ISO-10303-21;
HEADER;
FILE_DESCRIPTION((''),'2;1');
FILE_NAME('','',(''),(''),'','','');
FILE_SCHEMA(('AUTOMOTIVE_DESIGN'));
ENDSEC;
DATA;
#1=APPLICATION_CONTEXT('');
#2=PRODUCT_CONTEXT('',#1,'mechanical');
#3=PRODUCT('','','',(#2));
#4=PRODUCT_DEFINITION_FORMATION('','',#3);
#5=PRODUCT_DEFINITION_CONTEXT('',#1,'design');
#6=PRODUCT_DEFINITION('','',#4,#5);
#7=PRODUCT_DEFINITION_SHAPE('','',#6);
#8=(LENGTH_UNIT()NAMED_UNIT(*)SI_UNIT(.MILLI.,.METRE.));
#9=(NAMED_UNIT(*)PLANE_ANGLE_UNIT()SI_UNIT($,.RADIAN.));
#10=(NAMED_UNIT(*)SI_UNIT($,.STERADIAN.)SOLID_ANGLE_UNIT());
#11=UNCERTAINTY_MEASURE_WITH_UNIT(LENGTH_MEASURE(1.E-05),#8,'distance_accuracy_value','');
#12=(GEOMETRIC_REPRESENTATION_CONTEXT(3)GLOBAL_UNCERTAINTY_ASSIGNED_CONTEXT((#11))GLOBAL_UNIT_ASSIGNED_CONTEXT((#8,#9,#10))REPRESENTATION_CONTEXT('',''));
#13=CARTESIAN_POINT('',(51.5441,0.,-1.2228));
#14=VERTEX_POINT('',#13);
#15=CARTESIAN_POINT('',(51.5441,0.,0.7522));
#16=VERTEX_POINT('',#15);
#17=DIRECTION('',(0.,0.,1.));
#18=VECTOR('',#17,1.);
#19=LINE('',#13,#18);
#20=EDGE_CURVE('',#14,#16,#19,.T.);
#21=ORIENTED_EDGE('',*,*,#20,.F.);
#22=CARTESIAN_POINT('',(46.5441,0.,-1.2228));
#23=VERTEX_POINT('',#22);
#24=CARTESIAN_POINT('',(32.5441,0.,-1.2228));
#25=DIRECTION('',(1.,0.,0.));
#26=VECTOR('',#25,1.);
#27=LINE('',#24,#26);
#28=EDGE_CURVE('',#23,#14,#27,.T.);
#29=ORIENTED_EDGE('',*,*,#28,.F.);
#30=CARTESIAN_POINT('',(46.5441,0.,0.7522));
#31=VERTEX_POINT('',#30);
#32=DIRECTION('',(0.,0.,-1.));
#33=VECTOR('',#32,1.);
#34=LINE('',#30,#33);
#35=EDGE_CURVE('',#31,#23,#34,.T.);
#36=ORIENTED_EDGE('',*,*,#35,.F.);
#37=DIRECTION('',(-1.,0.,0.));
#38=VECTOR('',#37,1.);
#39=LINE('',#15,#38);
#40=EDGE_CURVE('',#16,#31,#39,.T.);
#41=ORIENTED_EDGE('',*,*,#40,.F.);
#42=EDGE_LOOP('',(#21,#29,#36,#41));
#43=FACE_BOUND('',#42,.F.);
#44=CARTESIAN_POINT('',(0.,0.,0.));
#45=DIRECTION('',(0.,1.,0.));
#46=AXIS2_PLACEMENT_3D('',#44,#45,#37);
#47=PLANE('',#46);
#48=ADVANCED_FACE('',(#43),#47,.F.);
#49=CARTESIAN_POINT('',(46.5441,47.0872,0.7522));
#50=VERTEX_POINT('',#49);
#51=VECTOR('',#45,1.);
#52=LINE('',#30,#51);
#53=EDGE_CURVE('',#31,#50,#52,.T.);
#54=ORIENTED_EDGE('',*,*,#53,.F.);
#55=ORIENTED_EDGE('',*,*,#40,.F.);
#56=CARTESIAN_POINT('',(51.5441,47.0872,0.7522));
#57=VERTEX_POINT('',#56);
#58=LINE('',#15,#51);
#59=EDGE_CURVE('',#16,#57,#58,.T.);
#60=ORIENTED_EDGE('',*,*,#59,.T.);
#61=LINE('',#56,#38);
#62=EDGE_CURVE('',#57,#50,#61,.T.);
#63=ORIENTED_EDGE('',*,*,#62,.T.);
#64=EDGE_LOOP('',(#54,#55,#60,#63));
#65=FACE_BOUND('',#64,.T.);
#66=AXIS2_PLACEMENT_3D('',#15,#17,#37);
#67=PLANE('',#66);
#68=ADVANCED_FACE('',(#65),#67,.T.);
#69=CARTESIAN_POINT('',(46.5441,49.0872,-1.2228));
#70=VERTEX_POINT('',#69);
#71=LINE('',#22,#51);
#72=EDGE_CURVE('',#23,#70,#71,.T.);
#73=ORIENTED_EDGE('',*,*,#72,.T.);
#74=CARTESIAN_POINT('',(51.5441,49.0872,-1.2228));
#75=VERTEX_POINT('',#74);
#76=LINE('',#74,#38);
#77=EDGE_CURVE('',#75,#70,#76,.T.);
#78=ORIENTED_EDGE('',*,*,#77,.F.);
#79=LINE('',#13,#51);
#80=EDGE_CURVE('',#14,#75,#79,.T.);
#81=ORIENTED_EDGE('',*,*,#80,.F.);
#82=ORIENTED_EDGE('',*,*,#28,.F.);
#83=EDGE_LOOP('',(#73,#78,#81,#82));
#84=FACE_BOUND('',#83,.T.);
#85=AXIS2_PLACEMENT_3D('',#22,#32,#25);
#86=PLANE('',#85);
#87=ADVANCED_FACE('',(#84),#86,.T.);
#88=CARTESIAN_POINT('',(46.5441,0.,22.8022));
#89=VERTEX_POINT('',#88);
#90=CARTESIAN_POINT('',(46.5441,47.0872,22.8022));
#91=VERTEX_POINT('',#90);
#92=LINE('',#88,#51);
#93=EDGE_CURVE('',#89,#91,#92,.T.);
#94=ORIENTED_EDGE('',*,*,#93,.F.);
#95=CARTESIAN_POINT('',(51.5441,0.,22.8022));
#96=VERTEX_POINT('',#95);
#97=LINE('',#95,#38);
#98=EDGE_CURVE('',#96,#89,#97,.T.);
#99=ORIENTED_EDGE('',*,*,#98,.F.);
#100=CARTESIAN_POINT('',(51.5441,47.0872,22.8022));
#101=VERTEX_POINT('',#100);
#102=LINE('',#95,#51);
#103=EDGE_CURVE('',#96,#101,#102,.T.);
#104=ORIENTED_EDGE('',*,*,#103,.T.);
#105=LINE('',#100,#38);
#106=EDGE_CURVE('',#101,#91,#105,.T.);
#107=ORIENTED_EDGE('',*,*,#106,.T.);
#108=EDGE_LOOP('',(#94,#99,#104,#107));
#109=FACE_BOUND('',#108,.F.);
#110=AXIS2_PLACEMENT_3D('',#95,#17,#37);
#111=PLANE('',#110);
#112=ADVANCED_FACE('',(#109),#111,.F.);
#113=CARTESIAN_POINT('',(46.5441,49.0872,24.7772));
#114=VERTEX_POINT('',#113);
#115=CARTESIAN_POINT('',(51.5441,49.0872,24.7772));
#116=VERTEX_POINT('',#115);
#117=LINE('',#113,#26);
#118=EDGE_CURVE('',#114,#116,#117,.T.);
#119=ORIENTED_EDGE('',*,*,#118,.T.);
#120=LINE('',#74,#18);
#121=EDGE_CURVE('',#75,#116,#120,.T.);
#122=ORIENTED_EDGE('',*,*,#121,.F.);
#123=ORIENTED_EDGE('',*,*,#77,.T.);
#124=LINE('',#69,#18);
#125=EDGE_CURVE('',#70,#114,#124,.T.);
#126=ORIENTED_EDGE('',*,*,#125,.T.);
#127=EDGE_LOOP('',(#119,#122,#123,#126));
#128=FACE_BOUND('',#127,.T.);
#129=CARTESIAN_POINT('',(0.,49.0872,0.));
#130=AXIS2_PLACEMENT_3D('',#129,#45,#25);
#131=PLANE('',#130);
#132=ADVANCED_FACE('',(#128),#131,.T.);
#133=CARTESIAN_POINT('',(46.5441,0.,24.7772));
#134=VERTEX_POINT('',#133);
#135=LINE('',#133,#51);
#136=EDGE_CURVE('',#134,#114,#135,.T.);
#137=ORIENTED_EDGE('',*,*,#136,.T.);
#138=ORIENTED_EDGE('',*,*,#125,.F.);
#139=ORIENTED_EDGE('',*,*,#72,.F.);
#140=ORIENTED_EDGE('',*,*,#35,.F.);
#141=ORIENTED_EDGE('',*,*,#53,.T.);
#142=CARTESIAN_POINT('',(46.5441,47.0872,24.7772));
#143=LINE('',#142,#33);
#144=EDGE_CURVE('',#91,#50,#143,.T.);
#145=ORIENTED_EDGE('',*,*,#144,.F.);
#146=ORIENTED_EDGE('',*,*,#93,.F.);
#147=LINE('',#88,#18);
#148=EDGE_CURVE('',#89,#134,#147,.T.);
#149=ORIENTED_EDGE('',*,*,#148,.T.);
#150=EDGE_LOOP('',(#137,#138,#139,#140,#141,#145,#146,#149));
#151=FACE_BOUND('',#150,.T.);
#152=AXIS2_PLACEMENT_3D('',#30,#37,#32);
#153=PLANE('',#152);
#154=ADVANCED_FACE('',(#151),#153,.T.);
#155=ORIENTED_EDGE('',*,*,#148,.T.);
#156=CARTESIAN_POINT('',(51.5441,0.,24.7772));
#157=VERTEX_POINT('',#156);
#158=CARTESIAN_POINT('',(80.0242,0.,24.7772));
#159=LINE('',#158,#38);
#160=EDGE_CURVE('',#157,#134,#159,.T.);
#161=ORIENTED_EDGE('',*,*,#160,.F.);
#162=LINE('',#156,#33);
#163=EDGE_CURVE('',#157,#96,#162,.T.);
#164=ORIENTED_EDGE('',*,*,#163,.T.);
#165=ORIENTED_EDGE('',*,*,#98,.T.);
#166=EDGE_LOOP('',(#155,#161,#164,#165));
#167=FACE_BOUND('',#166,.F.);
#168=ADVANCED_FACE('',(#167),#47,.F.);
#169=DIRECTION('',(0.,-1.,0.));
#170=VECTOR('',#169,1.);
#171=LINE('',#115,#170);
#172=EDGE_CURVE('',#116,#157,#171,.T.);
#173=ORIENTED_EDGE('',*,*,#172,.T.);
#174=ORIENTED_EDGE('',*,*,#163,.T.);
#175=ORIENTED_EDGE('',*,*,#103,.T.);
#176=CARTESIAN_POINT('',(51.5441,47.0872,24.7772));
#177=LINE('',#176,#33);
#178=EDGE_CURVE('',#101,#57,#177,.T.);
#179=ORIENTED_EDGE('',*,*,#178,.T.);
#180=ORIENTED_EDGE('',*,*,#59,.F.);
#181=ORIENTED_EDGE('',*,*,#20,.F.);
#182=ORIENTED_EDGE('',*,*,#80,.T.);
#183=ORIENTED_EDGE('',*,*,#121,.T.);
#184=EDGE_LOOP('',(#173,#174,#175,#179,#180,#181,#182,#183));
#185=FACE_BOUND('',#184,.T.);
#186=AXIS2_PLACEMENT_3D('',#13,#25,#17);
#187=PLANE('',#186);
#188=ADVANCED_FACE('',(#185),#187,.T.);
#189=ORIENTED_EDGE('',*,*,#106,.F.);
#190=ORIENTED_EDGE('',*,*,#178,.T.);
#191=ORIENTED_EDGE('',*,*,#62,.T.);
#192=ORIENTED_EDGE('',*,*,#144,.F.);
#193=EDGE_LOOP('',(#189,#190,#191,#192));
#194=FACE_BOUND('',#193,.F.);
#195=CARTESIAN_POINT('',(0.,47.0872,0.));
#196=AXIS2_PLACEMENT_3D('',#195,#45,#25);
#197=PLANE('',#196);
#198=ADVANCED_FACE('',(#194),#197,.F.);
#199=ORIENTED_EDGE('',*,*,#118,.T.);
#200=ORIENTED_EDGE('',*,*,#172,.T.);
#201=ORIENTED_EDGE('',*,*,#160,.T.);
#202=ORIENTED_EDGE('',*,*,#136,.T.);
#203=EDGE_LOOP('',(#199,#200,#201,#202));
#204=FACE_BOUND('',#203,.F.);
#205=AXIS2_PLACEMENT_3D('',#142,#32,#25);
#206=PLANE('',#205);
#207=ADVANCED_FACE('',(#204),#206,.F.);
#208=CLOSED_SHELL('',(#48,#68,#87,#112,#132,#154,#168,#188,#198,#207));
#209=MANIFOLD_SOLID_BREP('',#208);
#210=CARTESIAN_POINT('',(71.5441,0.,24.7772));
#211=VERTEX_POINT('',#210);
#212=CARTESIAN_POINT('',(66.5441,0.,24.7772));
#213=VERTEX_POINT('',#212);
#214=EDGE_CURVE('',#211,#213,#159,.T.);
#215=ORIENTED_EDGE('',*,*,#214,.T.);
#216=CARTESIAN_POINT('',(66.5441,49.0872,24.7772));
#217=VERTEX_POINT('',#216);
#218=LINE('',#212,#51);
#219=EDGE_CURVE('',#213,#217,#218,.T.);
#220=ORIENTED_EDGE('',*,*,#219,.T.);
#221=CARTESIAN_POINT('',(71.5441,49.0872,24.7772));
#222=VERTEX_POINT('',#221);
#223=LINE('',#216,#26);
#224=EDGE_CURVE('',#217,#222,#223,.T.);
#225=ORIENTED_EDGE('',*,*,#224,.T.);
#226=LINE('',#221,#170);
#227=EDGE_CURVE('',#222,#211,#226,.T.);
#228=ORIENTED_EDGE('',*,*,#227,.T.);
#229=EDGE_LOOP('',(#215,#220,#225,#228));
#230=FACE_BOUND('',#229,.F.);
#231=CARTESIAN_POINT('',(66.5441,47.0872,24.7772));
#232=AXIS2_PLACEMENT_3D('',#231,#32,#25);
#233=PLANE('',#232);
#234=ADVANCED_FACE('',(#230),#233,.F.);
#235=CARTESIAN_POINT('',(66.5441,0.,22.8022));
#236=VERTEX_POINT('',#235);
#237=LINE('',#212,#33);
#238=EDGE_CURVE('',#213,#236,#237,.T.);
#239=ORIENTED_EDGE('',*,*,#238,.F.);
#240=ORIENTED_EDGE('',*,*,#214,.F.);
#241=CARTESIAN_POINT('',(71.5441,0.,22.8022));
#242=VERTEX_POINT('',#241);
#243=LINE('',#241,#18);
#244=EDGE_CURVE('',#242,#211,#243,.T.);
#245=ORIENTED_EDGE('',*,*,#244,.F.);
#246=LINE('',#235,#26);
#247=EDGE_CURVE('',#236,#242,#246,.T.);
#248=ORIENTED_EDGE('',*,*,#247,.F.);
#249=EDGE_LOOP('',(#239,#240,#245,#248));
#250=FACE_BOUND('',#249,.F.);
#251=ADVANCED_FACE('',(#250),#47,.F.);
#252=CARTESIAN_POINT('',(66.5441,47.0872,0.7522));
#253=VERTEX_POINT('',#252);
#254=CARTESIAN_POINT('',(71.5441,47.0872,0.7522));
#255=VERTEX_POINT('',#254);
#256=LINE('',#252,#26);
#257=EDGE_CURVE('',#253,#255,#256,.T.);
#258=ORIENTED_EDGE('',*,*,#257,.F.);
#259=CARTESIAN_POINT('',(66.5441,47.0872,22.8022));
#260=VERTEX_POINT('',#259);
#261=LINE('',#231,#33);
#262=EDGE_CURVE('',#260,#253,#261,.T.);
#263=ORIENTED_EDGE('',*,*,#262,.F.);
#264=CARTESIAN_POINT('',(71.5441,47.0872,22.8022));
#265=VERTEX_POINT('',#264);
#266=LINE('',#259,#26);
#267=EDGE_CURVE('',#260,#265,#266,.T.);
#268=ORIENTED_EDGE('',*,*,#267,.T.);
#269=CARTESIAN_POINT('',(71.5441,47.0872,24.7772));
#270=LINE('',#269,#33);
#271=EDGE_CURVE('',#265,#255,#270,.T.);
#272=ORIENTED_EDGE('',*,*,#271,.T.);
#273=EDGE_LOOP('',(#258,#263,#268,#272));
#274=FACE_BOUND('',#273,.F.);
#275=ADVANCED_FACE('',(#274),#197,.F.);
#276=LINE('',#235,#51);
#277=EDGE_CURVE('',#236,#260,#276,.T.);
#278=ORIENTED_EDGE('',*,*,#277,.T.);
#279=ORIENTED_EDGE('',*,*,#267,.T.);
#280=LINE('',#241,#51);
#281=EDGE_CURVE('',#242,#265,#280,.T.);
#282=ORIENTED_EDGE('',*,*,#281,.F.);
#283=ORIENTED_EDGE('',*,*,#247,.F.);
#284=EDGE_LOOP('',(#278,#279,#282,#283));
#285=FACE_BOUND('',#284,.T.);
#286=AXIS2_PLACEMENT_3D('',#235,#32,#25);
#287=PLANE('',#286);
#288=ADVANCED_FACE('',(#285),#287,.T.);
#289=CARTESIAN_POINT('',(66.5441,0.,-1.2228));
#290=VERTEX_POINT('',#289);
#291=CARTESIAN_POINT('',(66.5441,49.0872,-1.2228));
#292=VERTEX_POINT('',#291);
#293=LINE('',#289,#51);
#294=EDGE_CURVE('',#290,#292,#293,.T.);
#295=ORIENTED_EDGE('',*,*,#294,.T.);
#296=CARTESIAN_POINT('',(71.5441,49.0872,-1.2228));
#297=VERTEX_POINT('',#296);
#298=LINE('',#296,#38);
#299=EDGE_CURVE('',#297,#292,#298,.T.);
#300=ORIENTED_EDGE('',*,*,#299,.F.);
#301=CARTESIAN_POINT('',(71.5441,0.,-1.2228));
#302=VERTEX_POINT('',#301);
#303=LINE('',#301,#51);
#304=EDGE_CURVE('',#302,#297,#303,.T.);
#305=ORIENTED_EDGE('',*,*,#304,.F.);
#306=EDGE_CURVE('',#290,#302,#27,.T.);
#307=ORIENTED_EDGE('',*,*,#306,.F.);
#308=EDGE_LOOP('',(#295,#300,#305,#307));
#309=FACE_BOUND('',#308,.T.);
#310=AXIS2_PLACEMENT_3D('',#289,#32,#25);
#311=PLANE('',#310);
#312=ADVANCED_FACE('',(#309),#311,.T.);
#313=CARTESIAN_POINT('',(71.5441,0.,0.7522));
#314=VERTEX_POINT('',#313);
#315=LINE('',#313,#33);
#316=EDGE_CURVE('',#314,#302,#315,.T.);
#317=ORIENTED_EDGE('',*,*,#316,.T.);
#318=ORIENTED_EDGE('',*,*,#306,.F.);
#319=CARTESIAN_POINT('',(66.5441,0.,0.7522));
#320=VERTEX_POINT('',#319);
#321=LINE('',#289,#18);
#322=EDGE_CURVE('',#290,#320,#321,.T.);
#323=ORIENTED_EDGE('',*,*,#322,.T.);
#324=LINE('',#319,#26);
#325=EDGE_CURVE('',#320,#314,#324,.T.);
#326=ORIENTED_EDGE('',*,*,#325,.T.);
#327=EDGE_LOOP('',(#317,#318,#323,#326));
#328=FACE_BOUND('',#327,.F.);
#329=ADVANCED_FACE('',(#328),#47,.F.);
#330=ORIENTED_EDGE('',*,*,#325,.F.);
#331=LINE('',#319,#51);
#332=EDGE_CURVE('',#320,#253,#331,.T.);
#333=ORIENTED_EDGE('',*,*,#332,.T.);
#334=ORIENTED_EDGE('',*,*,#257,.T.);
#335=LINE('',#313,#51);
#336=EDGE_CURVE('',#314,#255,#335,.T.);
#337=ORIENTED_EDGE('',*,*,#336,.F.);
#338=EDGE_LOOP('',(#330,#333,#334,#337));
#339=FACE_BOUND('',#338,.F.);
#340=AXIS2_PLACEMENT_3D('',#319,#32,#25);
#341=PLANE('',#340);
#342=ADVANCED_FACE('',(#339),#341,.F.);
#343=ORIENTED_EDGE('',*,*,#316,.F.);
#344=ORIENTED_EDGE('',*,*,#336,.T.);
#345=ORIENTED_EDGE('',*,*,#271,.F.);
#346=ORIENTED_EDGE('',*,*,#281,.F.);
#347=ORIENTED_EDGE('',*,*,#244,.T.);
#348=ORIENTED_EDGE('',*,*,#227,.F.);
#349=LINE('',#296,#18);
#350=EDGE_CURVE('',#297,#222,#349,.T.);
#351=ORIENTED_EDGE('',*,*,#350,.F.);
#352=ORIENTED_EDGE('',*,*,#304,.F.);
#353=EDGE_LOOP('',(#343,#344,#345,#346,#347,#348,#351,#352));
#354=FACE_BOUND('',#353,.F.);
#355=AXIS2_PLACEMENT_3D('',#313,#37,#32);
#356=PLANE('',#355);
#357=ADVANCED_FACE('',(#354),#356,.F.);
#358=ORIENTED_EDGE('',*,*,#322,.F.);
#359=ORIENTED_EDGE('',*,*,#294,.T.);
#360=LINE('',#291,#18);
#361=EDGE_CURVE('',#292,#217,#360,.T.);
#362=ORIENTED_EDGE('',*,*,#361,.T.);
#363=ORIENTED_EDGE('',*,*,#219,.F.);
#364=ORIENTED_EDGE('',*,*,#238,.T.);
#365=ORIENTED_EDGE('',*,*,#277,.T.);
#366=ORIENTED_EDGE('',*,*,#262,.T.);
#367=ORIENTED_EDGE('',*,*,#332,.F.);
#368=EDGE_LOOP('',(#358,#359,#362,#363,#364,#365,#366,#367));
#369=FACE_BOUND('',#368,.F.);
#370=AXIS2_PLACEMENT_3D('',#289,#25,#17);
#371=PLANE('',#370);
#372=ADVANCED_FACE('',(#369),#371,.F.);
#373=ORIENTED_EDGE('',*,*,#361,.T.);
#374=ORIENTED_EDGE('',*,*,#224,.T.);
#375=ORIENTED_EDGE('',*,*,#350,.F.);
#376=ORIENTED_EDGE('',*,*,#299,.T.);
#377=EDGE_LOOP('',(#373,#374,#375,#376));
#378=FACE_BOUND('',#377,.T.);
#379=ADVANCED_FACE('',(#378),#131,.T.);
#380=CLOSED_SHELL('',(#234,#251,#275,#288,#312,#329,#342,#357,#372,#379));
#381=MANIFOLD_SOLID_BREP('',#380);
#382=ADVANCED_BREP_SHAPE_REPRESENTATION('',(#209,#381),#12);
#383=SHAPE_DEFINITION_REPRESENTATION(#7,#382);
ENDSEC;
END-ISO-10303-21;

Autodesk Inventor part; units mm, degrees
ref_plane "YZ Plane" through (0, 0, 0) normal (1, 0, 0) x (0, 1, 0)
ref_plane "XZ Plane" through (0, 0, 0) normal (0, 1, 0) x (-1, 0, 0)
ref_plane "XY Plane" through (0, 0, 0) normal (0, 0, 1) x (1, 0, 0)
sketch "Skizze1" plane through (0, 0, 0) normal (0, 1, 0) x (-1, 0, 0)
  line L0 (-26.5441, -1.2228) -> (-26.5441, 24.7772) projected
  line L1 (-28.5441, 26.7772) -> (-82.5441, 26.7772) projected
  line L2 (-84.5441, 24.7772) -> (-84.5441, 18.6937) projected
  line L3 (-82.5441, -3.2228) -> (-28.5441, -3.2228) projected
  line L4 (-32.5441, -1.2228) -> (-80.0242, -1.2228) projected
  line L5 (-82.5441, 0.5262) -> (-82.5441, 4.8607) projected
  line L6 (-80.0242, 24.7772) -> (-32.5441, 24.7772) projected
  line L7 (-28.5441, 21.7772) -> (-28.5441, 1.7772) projected
  line L8 (-71.5441, 12.2772) -> (-71.5441, 11.2772) projected
  line L9 (-66.5441, 0.7522) -> (-71.5441, 0.7522)
  line L10 (-71.5441, 0.7522) -> (-71.5441, -1.2228)
  line L11 (-71.5441, -1.2228) -> (-66.5441, -1.2228)
  line L12 (-66.5441, -1.2228) -> (-66.5441, 0.7522)
  line L13 (-66.5441, 22.8022) -> (-71.5441, 22.8022)
  line L14 (-71.5441, 22.8022) -> (-71.5441, 24.7772)
  line L15 (-71.5441, 24.7772) -> (-66.5441, 24.7772)
  line L16 (-66.5441, 24.7772) -> (-66.5441, 22.8022)
  line L17 (-51.5441, 0.7522) -> (-46.5441, 0.7522)
  line L18 (-46.5441, 0.7522) -> (-46.5441, -1.2228)
  line L19 (-46.5441, -1.2228) -> (-51.5441, -1.2228)
  line L20 (-51.5441, -1.2228) -> (-51.5441, 0.7522)
  line L21 (-51.5441, 22.8022) -> (-46.5441, 22.8022)
  line L22 (-46.5441, 22.8022) -> (-46.5441, 24.7772)
  line L23 (-46.5441, 24.7772) -> (-51.5441, 24.7772)
  line L24 (-51.5441, 24.7772) -> (-51.5441, 22.8022)
  line L25 (-28.5441, 21.7022) -> (-28.5441, 24.7772) projected
  line L26 (-28.5441, 21.7022) -> (-28.5441, 24.7772) projected
  line L27 (-30.2441, 24.7772) -> (-30.2441, 21.7022) projected
  line L28 (-30.2441, 24.7772) -> (-30.2441, 21.7022) projected
  line L29 (-28.5441, 24.7772) -> (-30.2441, 24.7772) projected
  line L30 (-28.5441, 24.7772) -> (-30.2441, 24.7772) projected
  line L31 (-82.5441, 4.8607) -> (-84.5441, 4.8607) projected
  line L32 (-84.5441, 4.8607) -> (-84.5441, -1.2228) projected
  line L33 (-84.5441, 18.6937) -> (-82.5441, 18.6937) projected
  line L34 (-82.5441, 18.6937) -> (-82.5441, 23.0282) projected
  arc A0 (-82.5441, 26.7772) -> (-84.5441, 24.7772) centre (-82.5441, 24.7772) ccw projected
  line L35 (-32.5441, 21.7772) -> (-32.5441, 24.7772) projected
  line L36 (-28.5441, 21.7772) -> (-32.5441, 21.7772) projected
  line L37 (-28.5441, 1.7772) -> (-32.5441, 1.7772) projected
  line L38 (-32.5441, -1.2228) -> (-32.5441, 1.7772) projected
  arc A1 (-84.5441, -1.2228) -> (-82.5441, -3.2228) centre (-82.5441, -1.2228) ccw projected
  arc A2 (-28.5441, -3.2228) -> (-26.5441, -1.2228) centre (-28.5441, -1.2228) ccw projected
  arc A3 (-26.5441, 24.7772) -> (-28.5441, 26.7772) centre (-28.5441, 24.7772) ccw projected
  circle A4 centre (-29.5441, -0.7228) radius 1.6 projected
  circle A5 centre (-29.5441, 24.2772) radius 1.6 projected
  line L39 (-30.2441, 21.7022) -> (-28.5441, 21.7022) projected
  line L40 (-30.2441, 21.7022) -> (-28.5441, 21.7022) projected
  arc A6 (-82.5441, 0.5262) -> (-80.0242, -1.2228) centre (-81.5441, -0.7228) ccw projected
  arc A7 (-80.0242, 24.7772) -> (-82.5441, 23.0282) centre (-81.5441, 24.2772) ccw projected
  point P0 (0, 0)
  point P1 (-82.5441, 23.9022)
  point P2 (-16.5441, 23.9022)
  point P3 (-82.5441, -0.3478)
  point P4 (-16.5441, -0.3478)
  point P5 (-46.5441, -1.2228)
  point P6 (-34.1441, -1.2228)
  point P7 (-34.1441, 24.7772)
  point P8 (-82.5441, 21.7022)
  point P9 (-82.5441, 14.9472)
  point P10 (-84.5441, 14.9472)
  point P11 (-84.5441, 8.6072)
  point P12 (-82.5441, 8.6072)
  point P13 (-82.5441, 1.8522)
  point P14 (-62.2341, 17.4772)
  point P15 (-62.2341, 6.0772)
  point P16 (-62.2341, 17.4772)
  point P17 (-62.2341, 6.0772)
  point P18 (-60.2341, 17.4772)
  point P19 (-60.4341, 18.349)
  point P20 (-60.4341, 5.2054)
  point P21 (-60.2341, 6.0772)
  point P22 (-28.4341, -1.2228)
  point P23 (-28.4341, 24.7772)
  point P24 (-60.4341, 20.5272)
  point P25 (-60.4341, 3.0272)
  point P26 (-29.4341, 3.0272)
  point P27 (-29.4341, 8.0272)
  point P28 (-62.2341, 17.4772)
  point P29 (-62.2341, 6.0772)
  point P30 (-62.2341, 17.4772)
  point P31 (-62.2341, 6.0772)
  point P32 (-62.2341, 17.4772)
  point P33 (-62.2341, 6.0772)
  point P34 (-62.2341, 17.4772)
  point P35 (-62.2341, 6.0772)
  point P36 (-62.2341, 17.4772)
  point P37 (-62.2341, 6.0772)
  point P38 (-30.2441, 20.5272)
  point P39 (-62.2341, 17.4772)
  point P40 (-62.2341, 6.0772)
  point P41 (-62.2341, 17.4772)
  point P42 (-62.2341, 6.0772)
  point P43 (-62.2341, 17.4772)
  point P44 (-62.2341, 6.0772)
  point P45 (-62.2341, 17.4772)
  point P46 (-62.2341, 6.0772)
  point P47 (-62.2341, 17.4772)
  point P48 (-62.2341, 6.0772)
extrude "Extrusion1" add sketch "Skizze1" along normal blind 47.0872 contours L10 L9 L12 L4 | L6 L16 L13 L14 | L20 L17 L18 L4 | L6 L22 L21 L24
sketch "Skizze2" plane through (0, 47.0872, 0) normal (0, 1, 0) x (1, 0, 0)
  line L0 (71.5441, 1.2228) -> (66.5441, 1.2228) projected
  line L1 (71.5441, -0.7522) -> (71.5441, 1.2228) projected
  line L2 (66.5441, -24.7772) -> (71.5441, -24.7772)
  line L3 (71.5441, -24.7772) -> (71.5441, 1.2228)
  line L4 (71.5441, 1.2228) -> (66.5441, 1.2228)
  line L5 (66.5441, 1.2228) -> (66.5441, -24.7772)
  line L6 (51.5441, 1.2228) -> (46.5441, 1.2228) projected
  line L7 (51.5441, 1.2228) -> (46.5441, 1.2228)
  line L8 (46.5441, 1.2228) -> (46.5441, -24.7772)
  line L9 (46.5441, -24.7772) -> (51.5441, -24.7772)
  line L10 (51.5441, -24.7772) -> (51.5441, 1.2228)
  line L11 (46.5441, -0.7522) -> (51.5441, -0.7522) projected
  line L12 (51.5441, -0.7522) -> (51.5441, 1.2228) projected
  line L13 (51.5441, 1.2228) -> (46.5441, 1.2228) projected
  line L14 (46.5441, 1.2228) -> (46.5441, -0.7522) projected
  line L15 (71.5441, 1.2228) -> (66.5441, 1.2228) projected
  line L16 (66.5441, 1.2228) -> (66.5441, -0.7522) projected
  line L17 (66.5441, -0.7522) -> (71.5441, -0.7522) projected
  line L18 (71.5441, -0.7522) -> (71.5441, 1.2228) projected
  line L19 (46.5441, -24.7772) -> (51.5441, -24.7772) projected
  line L20 (51.5441, -24.7772) -> (51.5441, -22.8022) projected
  line L21 (51.5441, -22.8022) -> (46.5441, -22.8022) projected
  line L22 (46.5441, -22.8022) -> (46.5441, -24.7772) projected
  line L23 (71.5441, -22.8022) -> (66.5441, -22.8022) projected
  line L24 (66.5441, -22.8022) -> (66.5441, -24.7772) projected
  line L25 (66.5441, -24.7772) -> (71.5441, -24.7772) projected
  line L26 (71.5441, -24.7772) -> (71.5441, -22.8022) projected
  point P0 (0, 0)
extrude "Extrusion2" add sketch "Skizze2" along normal blind 2
properties part number "Bridge"
